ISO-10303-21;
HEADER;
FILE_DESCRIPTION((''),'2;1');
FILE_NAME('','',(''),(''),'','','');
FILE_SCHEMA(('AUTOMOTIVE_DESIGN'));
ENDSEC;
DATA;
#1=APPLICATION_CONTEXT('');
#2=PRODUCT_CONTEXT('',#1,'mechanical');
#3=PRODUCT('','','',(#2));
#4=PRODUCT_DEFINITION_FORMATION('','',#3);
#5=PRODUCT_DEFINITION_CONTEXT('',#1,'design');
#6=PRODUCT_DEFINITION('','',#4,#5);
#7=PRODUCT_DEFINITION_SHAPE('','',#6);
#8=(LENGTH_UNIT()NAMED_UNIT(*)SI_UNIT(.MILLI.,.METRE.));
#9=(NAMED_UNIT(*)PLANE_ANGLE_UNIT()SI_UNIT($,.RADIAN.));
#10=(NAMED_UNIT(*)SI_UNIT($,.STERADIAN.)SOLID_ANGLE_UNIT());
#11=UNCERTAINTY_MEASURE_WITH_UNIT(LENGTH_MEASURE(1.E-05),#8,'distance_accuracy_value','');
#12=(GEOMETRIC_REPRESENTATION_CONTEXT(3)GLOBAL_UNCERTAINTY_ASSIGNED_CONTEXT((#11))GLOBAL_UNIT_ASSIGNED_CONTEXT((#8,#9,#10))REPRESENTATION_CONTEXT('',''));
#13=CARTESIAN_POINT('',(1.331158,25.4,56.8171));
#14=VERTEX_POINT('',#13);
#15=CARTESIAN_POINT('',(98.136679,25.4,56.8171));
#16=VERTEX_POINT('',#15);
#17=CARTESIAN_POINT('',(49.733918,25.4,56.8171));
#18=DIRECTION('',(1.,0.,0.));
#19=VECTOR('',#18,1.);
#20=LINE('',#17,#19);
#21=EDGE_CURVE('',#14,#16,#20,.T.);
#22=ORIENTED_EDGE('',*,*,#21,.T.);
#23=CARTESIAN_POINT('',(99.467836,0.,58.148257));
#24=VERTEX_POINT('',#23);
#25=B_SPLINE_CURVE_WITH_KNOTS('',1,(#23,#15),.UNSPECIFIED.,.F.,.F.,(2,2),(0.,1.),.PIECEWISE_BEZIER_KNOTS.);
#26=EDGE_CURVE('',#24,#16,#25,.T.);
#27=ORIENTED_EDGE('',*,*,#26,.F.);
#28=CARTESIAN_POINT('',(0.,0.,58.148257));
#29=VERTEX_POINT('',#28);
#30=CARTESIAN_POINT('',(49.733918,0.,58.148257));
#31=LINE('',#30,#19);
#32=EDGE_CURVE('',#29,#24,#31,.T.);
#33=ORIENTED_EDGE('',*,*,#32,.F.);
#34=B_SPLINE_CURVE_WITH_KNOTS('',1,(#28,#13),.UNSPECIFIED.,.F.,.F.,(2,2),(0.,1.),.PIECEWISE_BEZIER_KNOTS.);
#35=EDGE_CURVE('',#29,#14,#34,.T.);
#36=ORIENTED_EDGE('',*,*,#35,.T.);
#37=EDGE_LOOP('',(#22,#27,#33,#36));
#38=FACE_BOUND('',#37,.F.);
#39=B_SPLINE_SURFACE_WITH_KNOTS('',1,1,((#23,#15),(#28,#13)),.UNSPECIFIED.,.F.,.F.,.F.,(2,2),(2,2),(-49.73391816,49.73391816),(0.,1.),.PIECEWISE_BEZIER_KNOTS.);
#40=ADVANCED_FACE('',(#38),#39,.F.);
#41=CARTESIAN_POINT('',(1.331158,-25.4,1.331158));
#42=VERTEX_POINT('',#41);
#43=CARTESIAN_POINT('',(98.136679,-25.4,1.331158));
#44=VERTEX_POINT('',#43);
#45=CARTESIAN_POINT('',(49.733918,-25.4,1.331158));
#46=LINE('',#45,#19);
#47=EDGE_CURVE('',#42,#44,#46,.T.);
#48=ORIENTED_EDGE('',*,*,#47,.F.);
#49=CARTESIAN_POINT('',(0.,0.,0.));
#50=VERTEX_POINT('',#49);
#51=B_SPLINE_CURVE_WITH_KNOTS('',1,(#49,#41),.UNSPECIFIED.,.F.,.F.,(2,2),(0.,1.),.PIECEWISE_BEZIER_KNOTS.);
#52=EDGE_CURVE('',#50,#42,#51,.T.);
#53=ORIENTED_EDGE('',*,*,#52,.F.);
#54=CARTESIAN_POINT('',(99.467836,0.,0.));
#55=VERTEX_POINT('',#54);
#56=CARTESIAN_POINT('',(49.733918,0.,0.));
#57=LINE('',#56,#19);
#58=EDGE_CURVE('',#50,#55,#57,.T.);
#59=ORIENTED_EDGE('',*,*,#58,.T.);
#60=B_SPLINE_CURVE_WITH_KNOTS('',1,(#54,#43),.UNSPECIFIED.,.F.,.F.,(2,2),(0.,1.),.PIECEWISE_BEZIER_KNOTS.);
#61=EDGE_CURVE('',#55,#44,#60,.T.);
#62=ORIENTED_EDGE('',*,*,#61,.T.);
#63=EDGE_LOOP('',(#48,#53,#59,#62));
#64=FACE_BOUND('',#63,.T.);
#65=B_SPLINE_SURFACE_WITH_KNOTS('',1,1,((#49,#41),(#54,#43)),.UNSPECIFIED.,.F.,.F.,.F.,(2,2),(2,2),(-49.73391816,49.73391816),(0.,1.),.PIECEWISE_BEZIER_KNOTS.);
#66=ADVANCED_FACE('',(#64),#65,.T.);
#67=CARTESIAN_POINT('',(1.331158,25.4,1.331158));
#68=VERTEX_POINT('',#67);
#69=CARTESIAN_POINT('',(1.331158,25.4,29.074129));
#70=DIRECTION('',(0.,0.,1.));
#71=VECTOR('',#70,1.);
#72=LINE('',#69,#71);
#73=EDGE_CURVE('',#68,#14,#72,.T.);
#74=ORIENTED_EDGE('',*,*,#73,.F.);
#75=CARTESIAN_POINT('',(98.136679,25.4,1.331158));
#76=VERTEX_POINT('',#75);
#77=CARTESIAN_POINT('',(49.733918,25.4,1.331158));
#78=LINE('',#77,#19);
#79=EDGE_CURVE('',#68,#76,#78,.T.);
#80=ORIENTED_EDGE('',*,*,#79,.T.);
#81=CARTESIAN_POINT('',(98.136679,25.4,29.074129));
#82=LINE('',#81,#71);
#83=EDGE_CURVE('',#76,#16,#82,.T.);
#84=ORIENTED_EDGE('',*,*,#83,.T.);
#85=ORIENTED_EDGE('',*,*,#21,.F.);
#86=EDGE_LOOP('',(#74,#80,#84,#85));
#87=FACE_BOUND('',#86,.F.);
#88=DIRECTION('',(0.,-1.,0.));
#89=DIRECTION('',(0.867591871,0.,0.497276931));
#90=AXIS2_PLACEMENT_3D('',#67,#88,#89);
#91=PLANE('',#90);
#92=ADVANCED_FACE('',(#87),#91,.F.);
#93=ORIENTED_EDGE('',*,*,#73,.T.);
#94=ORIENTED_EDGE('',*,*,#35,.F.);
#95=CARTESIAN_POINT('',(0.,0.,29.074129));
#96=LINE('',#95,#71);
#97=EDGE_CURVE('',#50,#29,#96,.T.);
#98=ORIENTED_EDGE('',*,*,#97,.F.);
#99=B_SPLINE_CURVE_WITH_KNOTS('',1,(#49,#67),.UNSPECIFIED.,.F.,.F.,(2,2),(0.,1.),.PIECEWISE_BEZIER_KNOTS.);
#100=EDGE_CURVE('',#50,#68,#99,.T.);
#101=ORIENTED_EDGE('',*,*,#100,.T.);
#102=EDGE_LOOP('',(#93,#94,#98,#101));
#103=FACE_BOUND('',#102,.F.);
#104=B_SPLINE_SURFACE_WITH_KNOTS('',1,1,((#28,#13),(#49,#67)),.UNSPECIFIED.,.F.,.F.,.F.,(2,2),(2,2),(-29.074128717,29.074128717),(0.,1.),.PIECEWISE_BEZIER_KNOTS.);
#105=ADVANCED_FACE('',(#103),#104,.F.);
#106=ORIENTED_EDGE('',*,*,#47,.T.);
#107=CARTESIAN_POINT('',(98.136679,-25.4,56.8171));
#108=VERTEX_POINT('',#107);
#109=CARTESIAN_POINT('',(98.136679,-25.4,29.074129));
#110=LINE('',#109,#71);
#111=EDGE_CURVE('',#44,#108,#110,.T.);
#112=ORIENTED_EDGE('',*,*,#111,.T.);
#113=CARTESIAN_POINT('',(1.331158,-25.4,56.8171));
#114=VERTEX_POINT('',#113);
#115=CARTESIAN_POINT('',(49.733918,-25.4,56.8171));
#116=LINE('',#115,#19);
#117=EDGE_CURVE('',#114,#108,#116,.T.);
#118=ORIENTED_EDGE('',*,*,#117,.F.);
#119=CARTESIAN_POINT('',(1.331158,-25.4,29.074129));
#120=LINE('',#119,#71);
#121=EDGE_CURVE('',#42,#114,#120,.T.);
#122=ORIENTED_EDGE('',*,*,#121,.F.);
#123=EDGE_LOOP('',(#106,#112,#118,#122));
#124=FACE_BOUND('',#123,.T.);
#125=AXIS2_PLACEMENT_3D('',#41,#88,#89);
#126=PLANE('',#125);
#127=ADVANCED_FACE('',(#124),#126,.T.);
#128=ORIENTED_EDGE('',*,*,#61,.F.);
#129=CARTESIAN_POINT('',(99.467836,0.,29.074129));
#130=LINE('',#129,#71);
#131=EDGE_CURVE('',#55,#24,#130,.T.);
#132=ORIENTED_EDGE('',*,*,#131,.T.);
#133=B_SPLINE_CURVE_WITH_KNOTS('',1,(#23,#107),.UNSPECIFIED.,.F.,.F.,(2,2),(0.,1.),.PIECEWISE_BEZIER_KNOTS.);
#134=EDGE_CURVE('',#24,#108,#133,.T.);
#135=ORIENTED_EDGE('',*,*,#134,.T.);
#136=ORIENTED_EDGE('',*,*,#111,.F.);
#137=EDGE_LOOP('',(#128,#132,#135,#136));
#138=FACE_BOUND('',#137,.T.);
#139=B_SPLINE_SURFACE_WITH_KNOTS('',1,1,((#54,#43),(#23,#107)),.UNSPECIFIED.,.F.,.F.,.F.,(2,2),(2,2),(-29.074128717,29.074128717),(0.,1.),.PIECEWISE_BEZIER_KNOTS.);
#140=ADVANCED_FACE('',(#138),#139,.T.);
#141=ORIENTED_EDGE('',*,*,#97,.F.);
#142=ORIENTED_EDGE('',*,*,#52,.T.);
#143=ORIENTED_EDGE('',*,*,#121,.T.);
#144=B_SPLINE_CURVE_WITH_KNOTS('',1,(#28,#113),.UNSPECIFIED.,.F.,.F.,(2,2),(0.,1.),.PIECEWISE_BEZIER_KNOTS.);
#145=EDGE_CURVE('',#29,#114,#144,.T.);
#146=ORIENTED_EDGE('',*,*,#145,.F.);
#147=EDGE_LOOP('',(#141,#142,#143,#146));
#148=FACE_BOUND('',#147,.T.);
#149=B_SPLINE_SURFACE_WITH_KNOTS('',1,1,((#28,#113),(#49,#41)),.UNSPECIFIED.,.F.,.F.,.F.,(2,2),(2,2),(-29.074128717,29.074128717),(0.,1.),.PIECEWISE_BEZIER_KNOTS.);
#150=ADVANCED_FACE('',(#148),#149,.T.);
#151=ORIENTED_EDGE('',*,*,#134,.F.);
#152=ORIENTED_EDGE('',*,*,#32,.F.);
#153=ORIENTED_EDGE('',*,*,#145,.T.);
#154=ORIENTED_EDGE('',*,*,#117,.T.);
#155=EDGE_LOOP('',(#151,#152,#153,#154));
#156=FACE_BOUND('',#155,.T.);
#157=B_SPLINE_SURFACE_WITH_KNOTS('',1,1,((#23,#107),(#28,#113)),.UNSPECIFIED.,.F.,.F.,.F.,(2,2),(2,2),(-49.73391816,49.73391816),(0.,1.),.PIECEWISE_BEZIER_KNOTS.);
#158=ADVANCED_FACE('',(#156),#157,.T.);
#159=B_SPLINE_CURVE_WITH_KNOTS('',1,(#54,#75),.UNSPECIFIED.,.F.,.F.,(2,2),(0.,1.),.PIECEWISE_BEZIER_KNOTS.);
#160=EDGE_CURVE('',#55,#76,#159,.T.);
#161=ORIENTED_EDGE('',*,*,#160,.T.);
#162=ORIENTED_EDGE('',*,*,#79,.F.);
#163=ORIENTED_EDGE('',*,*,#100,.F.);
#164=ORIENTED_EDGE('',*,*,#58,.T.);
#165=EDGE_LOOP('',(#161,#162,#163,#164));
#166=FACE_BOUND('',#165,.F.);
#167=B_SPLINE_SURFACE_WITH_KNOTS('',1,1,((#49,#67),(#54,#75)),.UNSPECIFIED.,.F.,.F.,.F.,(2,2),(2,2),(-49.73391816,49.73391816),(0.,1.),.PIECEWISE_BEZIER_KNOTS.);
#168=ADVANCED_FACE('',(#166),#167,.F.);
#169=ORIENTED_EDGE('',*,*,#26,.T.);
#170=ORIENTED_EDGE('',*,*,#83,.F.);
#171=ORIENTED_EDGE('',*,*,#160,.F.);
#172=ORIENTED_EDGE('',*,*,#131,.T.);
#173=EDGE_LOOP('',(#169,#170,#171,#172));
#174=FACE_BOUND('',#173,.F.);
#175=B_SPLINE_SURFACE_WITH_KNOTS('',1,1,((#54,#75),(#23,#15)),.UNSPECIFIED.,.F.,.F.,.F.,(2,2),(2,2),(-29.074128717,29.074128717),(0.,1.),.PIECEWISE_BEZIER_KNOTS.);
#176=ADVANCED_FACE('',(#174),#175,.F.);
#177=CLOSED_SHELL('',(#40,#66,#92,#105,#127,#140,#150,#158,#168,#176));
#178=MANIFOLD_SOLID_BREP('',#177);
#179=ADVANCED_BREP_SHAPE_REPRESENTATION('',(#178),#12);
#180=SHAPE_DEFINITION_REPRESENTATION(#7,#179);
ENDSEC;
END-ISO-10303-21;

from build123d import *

# Parameters (mm, degrees)
F0_W     = 99.4678363204
F0_H     = 58.1482574344
F1_DEPTH = 25.4
F1_TAPER = 3


with BuildPart() as f1:
    # F0 (on Front) → F1 (new body, symmetric)
    with BuildSketch(Plane.XZ):
        with Locations((49.7339181602, 29.0741287172)):
            Rectangle(F0_W, F0_H)
    extrude(amount=F1_DEPTH, both=True, taper=F1_TAPER)


solid = f1.part
